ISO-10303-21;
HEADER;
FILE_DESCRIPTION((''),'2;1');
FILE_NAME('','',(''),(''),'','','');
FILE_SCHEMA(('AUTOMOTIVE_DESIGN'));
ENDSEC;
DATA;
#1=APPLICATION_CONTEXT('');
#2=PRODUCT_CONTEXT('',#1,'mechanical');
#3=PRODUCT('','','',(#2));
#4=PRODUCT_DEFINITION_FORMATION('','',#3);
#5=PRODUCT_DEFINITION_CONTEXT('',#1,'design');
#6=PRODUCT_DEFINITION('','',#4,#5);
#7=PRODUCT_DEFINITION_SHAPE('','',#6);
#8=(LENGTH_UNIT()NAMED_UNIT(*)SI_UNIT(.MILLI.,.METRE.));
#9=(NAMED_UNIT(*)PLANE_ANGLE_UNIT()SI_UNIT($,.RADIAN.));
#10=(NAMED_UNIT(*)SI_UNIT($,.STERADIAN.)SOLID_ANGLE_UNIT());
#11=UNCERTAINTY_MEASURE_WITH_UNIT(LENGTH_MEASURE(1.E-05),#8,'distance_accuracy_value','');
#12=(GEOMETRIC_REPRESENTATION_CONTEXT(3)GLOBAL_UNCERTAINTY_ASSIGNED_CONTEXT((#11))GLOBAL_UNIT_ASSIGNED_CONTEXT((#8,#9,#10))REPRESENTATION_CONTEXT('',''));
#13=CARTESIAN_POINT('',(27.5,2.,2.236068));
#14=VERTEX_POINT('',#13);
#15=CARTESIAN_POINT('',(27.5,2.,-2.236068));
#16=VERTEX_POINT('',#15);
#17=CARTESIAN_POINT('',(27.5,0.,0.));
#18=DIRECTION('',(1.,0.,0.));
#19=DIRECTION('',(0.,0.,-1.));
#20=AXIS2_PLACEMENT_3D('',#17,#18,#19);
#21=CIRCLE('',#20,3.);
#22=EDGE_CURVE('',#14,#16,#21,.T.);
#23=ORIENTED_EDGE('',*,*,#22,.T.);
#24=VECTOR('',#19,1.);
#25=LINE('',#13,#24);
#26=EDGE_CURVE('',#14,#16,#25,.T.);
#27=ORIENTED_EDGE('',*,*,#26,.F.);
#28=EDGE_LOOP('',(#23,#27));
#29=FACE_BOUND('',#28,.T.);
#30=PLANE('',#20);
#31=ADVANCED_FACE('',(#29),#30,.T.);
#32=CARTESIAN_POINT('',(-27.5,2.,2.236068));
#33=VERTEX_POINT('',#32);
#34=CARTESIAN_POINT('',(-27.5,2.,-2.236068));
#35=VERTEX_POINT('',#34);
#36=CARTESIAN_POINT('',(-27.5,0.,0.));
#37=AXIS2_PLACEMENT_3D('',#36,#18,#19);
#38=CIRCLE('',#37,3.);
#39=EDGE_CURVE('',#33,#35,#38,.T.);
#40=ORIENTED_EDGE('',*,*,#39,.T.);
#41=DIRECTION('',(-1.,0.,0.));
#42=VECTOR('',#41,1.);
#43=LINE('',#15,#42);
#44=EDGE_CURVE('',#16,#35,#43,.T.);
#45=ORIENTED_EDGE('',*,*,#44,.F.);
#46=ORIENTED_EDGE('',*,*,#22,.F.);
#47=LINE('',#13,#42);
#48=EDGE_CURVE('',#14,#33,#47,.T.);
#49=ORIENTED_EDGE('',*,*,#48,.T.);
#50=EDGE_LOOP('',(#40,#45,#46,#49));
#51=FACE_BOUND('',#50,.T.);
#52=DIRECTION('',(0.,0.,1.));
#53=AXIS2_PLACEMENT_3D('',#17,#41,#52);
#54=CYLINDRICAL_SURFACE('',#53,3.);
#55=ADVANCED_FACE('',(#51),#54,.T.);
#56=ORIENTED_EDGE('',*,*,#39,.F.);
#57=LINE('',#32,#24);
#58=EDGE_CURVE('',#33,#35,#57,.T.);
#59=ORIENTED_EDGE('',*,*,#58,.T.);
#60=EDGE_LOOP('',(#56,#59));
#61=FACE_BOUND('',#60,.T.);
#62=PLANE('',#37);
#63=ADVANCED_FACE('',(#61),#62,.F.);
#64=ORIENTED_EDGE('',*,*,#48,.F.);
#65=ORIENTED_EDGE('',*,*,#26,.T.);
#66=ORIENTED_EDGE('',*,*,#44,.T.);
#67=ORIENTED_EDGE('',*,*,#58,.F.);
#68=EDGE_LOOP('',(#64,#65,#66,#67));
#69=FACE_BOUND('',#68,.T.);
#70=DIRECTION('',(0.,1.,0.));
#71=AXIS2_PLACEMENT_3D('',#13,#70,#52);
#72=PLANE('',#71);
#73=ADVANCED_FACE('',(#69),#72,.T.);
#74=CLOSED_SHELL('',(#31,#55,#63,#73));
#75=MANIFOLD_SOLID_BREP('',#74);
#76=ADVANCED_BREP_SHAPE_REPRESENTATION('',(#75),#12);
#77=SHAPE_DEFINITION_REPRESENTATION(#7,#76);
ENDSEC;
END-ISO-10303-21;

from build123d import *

# Parameters (mm, degrees)
BOSS_EXTRUDE1_DEPTH = 27.5


with BuildPart() as part:
    # Sketch1 → Boss-Extrude1 (new, symmetric)
    with BuildSketch(Plane(origin=(0, 0, 0), x_dir=(0, 0, -1), z_dir=(1, 0, 0))):
        with BuildLine():
            Line((-2.236067977, 2), (2.236067977, 2))
            ThreePointArc((2.236067977, 2), (0, -3), (-2.236067977, 2))
        make_face()
    extrude(amount=BOSS_EXTRUDE1_DEPTH, both=True)


solid = part.part
